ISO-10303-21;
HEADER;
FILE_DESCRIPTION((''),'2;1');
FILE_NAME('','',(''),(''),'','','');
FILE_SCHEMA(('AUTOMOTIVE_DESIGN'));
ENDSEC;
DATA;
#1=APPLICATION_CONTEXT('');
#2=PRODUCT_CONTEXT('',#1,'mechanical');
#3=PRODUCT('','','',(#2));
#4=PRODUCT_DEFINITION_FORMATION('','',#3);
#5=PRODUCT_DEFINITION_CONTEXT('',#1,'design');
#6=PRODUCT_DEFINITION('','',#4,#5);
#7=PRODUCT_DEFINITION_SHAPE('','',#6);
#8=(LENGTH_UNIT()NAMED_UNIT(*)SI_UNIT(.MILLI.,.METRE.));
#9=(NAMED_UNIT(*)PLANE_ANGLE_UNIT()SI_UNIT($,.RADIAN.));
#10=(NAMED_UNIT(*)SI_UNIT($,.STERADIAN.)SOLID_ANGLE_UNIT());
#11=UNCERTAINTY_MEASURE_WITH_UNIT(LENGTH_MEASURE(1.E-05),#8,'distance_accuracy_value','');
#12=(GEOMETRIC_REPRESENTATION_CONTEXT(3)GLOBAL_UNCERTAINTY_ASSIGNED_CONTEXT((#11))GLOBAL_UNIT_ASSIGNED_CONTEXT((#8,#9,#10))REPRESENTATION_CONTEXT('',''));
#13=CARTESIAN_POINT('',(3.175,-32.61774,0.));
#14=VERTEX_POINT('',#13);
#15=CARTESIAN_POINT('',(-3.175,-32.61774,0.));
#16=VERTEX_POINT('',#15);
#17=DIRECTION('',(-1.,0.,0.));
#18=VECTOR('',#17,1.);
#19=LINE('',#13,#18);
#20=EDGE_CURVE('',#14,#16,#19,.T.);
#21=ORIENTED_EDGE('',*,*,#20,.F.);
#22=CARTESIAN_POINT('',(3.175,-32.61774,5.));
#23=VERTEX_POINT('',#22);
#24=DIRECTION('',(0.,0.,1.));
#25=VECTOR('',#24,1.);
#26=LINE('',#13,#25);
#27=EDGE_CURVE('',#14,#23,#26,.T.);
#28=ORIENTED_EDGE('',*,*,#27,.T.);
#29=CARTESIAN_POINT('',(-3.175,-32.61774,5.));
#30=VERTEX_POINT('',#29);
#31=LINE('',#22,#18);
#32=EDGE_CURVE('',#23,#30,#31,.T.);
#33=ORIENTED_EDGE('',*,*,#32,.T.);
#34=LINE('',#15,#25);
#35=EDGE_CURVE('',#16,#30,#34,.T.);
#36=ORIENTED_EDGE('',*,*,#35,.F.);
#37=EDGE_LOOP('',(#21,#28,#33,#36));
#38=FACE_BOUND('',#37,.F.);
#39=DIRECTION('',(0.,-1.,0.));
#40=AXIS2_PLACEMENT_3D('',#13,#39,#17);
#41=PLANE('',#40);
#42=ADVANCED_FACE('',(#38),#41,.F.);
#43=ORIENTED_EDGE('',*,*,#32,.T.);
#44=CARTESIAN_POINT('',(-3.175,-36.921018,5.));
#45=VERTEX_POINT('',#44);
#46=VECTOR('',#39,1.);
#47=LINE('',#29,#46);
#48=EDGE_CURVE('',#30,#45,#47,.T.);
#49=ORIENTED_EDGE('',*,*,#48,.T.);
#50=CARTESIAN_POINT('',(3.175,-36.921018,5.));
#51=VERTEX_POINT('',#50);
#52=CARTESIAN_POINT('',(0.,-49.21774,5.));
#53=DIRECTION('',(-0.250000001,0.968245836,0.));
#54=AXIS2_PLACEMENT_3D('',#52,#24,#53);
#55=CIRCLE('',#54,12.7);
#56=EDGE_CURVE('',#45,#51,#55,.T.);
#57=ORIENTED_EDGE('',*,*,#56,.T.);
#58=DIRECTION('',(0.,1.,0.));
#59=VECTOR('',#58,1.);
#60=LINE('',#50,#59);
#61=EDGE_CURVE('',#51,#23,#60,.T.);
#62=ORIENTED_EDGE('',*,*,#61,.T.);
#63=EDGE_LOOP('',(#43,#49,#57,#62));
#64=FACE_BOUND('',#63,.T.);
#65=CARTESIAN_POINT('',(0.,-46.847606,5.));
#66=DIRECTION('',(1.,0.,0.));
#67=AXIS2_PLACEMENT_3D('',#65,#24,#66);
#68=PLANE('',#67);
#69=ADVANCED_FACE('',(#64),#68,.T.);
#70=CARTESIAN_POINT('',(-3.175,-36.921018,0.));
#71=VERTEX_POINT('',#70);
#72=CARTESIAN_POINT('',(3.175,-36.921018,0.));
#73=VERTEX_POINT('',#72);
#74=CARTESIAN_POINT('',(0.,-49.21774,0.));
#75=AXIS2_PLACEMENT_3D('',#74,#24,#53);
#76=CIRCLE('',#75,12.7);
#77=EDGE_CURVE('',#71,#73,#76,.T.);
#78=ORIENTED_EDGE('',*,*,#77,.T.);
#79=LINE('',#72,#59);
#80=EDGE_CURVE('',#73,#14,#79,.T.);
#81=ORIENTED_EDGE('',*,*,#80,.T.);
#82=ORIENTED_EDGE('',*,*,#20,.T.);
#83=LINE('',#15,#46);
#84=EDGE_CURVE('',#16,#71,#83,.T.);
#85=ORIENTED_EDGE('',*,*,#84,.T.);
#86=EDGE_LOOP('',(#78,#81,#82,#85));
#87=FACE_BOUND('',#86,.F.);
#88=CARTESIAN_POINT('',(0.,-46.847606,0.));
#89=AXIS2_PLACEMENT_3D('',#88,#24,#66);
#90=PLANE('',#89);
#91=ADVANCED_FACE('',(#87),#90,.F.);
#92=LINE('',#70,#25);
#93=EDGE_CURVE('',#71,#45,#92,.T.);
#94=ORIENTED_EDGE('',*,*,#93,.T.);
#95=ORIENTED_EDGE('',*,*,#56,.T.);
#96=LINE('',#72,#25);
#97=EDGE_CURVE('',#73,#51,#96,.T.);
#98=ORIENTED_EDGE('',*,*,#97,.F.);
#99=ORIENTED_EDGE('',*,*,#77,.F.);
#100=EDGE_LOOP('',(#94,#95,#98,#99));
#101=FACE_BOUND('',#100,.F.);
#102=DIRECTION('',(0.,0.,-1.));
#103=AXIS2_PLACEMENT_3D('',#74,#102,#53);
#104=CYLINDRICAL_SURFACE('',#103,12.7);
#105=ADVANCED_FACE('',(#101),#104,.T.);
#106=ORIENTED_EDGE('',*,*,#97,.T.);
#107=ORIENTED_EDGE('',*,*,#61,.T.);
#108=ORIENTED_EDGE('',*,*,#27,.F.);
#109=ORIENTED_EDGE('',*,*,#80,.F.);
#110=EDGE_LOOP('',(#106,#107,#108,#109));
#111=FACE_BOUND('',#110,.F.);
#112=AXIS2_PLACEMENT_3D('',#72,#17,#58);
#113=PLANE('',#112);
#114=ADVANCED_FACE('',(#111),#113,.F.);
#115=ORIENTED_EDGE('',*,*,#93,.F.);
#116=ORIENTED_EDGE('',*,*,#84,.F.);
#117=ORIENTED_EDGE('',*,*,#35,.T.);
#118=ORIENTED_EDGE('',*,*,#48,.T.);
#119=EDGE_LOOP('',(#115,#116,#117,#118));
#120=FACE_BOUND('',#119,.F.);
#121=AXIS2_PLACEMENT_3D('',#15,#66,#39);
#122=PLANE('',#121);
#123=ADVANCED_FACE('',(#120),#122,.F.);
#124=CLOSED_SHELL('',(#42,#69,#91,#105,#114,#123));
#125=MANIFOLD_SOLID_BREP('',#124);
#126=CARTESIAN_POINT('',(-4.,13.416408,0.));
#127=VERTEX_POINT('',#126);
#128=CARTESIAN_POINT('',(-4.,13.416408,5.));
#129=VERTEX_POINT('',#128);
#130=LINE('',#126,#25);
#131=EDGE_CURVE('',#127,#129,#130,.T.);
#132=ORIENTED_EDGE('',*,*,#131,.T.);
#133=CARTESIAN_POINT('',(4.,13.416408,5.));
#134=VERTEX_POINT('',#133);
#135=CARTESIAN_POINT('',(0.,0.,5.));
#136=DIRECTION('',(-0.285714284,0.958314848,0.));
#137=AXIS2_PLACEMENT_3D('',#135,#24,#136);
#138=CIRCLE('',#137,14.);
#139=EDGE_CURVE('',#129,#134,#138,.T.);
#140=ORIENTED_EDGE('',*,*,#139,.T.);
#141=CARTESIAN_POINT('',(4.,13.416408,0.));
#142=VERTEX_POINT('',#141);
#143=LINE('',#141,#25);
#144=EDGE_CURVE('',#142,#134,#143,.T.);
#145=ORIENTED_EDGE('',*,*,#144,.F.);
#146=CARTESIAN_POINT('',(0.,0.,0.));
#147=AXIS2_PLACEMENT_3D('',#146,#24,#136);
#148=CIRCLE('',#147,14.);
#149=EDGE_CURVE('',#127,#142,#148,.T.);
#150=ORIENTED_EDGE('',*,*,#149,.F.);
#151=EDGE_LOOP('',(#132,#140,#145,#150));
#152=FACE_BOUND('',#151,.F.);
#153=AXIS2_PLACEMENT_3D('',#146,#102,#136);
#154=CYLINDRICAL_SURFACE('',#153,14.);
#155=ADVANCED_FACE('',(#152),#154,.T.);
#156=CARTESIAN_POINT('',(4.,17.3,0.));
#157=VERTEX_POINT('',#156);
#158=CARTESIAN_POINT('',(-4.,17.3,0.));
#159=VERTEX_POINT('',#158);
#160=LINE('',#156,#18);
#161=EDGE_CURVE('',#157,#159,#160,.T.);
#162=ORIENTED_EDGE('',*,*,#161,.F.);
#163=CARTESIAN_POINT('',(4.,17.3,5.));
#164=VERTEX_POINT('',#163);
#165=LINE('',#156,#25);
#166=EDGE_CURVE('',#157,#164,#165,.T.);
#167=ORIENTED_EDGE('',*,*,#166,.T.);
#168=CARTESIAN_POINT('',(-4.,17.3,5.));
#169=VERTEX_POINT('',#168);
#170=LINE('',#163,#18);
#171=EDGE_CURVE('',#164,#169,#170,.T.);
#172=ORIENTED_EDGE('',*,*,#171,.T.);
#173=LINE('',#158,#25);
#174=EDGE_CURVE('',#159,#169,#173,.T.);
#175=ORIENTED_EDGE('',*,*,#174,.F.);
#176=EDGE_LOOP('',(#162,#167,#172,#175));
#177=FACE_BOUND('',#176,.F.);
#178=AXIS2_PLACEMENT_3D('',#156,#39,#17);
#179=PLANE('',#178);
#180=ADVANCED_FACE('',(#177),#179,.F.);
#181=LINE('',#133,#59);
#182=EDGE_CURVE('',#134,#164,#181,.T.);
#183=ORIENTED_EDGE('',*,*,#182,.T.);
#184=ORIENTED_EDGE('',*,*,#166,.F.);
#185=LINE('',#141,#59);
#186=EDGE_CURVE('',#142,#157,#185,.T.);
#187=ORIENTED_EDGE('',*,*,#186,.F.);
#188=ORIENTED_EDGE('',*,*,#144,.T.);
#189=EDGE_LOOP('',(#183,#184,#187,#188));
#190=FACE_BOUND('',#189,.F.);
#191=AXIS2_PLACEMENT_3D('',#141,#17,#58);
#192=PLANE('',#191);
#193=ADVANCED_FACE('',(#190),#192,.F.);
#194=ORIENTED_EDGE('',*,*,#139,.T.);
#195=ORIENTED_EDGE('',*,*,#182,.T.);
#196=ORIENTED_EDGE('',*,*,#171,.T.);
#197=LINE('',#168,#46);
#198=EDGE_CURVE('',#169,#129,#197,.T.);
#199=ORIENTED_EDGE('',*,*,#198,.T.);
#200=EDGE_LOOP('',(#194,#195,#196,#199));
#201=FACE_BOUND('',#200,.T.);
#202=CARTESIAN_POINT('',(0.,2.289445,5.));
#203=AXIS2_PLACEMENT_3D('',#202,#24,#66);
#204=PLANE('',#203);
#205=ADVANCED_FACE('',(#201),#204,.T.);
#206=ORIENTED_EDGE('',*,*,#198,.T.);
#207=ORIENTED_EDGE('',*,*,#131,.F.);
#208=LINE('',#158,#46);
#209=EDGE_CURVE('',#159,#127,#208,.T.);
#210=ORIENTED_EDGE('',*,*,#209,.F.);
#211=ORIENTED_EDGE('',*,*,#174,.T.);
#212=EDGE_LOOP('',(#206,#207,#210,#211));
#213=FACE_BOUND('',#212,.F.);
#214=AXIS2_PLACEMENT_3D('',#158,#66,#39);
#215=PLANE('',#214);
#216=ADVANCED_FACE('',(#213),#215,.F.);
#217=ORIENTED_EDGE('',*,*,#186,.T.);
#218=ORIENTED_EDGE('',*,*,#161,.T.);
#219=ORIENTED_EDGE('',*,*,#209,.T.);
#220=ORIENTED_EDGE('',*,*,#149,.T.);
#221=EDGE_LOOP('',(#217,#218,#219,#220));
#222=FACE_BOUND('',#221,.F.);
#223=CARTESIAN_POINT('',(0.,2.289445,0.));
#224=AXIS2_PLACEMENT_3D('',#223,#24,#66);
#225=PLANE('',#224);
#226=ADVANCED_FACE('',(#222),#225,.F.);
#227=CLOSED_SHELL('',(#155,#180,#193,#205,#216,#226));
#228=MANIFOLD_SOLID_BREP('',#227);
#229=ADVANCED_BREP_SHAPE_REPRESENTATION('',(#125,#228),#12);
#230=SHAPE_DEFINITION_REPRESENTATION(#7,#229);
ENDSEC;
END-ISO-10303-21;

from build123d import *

# Parameters (mm, degrees)
F1_DEPTH = 5


with BuildPart() as f1:
    # F0 (on Top) → F1 (new body)
    with BuildSketch(Plane.XY):
        with BuildLine():
            Line((-4, 17.3), (-4, 13.416408))
            ThreePointArc((-4, 13.416408), (0, -14), (4, 13.416408))
            Line((4, 13.416408), (4, 17.3))
            Line((4, 17.3), (-4, 17.3))
        make_face()
        with BuildLine():
            Line((-3.175, -32.61774), (-3.175, -36.921018))
            ThreePointArc((-3.175, -36.921018), (0, -61.91774), (3.175, -36.921018))
            Line((3.175, -36.921018), (3.175, -32.61774))
            Line((3.175, -32.61774), (-3.175, -32.61774))
        make_face()
    extrude(amount=F1_DEPTH)


solid = f1.part
